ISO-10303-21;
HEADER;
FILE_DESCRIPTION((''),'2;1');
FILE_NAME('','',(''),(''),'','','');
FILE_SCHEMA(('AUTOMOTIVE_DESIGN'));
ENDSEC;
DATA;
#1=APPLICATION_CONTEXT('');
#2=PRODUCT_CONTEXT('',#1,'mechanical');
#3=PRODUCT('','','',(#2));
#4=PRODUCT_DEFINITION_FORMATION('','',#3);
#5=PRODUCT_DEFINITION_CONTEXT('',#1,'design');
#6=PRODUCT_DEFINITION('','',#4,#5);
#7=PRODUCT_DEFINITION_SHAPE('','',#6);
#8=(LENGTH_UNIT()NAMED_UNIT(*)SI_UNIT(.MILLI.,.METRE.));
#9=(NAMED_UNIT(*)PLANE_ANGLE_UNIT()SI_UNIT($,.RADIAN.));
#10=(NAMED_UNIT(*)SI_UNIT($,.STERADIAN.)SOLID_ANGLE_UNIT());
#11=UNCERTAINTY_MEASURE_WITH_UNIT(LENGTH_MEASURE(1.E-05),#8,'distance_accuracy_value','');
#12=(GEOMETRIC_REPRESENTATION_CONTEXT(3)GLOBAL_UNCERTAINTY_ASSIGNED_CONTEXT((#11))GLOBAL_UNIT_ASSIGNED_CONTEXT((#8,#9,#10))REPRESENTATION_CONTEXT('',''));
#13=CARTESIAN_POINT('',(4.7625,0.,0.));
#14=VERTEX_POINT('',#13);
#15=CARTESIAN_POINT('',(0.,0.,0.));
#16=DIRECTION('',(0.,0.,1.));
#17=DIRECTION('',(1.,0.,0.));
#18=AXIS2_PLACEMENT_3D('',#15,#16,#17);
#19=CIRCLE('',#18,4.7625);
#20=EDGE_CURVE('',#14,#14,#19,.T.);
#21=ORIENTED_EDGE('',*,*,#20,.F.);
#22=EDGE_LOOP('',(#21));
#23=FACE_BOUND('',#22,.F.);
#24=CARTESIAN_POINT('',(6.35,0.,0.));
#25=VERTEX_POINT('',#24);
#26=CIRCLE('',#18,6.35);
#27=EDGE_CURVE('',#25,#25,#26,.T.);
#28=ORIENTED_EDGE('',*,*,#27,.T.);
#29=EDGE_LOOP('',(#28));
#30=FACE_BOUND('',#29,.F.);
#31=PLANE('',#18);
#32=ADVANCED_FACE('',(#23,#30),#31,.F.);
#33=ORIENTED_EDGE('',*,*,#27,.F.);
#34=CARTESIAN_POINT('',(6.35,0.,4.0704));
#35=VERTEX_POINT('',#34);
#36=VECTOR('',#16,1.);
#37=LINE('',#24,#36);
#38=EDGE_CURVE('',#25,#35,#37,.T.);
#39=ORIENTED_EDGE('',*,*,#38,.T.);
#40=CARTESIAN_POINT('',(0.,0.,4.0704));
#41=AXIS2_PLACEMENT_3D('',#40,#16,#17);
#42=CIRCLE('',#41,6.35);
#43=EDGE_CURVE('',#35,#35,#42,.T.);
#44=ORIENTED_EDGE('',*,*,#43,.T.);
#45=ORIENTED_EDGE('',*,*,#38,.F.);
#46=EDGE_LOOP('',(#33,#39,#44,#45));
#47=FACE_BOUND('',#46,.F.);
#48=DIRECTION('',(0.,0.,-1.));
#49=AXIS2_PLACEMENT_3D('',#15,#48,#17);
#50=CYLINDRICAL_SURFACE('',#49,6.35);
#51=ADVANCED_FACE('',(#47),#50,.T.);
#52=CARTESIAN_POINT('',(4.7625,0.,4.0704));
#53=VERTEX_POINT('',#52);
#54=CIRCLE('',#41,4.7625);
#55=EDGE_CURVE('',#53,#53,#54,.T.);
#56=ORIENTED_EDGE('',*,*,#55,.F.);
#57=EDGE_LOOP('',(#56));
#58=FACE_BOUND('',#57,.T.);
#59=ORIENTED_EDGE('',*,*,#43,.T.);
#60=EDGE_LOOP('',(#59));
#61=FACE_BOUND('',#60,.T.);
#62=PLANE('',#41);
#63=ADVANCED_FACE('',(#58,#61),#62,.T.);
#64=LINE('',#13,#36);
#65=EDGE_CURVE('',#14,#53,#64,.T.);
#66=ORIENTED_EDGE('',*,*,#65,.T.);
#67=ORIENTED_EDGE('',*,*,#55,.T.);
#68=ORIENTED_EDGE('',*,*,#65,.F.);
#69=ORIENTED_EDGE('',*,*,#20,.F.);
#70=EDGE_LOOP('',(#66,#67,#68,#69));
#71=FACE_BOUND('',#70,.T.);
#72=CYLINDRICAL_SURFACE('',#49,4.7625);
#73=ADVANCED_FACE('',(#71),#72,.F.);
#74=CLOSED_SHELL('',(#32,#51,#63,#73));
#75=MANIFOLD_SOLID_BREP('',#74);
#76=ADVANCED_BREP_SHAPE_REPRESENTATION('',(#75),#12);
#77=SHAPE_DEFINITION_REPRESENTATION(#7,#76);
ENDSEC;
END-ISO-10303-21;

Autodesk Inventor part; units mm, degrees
ref_plane "YZ Plane" through (0, 0, 0) normal (1, 0, 0) x (0, 1, 0)
ref_plane "XZ Plane" through (0, 0, 0) normal (0, 1, 0) x (-1, 0, 0)
ref_plane "XY Plane" through (0, 0, 0) normal (0, 0, 1) x (1, 0, 0)
sketch "Sketch1" plane through (0, 0, 0) normal (0, 0, 1) x (1, 0, 0)
  circle A0 centre (0, 0) radius 4.7625
  circle A1 centre (0, 0) radius 6.35
  dimension "d0" = 9.525
  dimension "d1" = 12.7
extrude "Extrusion1" add sketch "Sketch1" along normal blind 4.0704
properties part number "Cluster Spacer"
